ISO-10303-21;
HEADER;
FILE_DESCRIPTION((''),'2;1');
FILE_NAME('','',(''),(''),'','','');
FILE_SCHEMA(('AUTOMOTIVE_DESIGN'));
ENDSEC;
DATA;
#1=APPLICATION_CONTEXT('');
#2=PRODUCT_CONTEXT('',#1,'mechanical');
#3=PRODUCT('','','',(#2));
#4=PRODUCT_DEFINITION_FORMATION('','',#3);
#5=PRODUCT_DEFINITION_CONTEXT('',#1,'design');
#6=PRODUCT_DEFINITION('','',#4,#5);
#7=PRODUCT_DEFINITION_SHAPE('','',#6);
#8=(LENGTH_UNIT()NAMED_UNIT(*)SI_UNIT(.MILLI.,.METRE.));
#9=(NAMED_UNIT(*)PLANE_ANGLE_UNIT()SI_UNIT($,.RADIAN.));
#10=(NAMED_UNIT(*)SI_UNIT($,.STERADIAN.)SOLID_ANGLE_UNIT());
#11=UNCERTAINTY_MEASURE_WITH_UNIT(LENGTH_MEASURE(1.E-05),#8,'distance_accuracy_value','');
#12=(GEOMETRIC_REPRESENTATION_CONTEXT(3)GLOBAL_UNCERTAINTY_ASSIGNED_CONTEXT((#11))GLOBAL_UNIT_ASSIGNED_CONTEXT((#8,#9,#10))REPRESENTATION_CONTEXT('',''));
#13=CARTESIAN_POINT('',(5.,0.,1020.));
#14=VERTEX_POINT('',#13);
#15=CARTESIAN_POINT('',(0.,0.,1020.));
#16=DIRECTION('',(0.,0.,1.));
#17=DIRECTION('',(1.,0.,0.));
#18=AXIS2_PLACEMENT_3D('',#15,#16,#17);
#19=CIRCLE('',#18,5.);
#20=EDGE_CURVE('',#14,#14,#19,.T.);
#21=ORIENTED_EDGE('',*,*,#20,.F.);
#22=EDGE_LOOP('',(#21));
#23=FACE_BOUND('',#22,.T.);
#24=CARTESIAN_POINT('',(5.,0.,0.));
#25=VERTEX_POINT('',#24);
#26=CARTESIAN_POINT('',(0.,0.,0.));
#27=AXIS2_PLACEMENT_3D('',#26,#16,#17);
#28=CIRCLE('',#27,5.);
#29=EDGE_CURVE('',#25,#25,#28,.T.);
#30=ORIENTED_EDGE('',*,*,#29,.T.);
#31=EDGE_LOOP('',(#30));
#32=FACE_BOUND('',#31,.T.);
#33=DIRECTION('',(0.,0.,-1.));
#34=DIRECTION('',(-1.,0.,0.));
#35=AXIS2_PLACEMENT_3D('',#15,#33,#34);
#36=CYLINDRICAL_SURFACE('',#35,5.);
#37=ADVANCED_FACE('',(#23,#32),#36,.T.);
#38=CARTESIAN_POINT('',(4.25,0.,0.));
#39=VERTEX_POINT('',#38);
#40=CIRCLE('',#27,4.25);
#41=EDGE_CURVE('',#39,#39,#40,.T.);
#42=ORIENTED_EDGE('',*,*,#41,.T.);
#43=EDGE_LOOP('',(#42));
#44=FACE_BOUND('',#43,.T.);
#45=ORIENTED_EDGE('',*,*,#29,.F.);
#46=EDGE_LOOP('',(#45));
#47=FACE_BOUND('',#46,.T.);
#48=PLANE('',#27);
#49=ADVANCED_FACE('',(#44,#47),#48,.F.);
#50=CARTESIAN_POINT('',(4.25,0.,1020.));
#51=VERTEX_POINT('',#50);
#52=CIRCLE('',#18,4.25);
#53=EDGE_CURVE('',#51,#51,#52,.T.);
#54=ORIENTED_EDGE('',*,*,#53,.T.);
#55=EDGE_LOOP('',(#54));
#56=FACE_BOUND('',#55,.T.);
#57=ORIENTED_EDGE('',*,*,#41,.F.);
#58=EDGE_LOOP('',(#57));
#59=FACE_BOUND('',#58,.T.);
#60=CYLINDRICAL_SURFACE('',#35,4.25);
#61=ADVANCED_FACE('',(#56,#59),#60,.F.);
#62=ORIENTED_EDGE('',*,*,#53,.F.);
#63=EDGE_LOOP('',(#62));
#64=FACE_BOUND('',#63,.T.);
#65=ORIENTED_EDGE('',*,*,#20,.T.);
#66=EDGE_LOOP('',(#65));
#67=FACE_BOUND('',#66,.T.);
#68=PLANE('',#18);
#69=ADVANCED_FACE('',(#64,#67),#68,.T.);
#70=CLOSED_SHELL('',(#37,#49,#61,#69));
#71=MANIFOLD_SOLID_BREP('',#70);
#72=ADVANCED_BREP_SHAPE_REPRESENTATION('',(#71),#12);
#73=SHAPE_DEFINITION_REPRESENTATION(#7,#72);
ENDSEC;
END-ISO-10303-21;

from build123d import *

# Parameters (mm, degrees)
SKETCH1_R           = 5
SKETCH1_R_2         = 4.25
BOSS_EXTRUDE1_DEPTH = 1020


with BuildPart() as part:
    # Sketch1 → Boss-Extrude1 (new body)
    with BuildSketch(Plane.XY):
        Circle(SKETCH1_R)
        Circle(SKETCH1_R_2, mode=Mode.SUBTRACT)
    extrude(amount=BOSS_EXTRUDE1_DEPTH)


solid = part.part
